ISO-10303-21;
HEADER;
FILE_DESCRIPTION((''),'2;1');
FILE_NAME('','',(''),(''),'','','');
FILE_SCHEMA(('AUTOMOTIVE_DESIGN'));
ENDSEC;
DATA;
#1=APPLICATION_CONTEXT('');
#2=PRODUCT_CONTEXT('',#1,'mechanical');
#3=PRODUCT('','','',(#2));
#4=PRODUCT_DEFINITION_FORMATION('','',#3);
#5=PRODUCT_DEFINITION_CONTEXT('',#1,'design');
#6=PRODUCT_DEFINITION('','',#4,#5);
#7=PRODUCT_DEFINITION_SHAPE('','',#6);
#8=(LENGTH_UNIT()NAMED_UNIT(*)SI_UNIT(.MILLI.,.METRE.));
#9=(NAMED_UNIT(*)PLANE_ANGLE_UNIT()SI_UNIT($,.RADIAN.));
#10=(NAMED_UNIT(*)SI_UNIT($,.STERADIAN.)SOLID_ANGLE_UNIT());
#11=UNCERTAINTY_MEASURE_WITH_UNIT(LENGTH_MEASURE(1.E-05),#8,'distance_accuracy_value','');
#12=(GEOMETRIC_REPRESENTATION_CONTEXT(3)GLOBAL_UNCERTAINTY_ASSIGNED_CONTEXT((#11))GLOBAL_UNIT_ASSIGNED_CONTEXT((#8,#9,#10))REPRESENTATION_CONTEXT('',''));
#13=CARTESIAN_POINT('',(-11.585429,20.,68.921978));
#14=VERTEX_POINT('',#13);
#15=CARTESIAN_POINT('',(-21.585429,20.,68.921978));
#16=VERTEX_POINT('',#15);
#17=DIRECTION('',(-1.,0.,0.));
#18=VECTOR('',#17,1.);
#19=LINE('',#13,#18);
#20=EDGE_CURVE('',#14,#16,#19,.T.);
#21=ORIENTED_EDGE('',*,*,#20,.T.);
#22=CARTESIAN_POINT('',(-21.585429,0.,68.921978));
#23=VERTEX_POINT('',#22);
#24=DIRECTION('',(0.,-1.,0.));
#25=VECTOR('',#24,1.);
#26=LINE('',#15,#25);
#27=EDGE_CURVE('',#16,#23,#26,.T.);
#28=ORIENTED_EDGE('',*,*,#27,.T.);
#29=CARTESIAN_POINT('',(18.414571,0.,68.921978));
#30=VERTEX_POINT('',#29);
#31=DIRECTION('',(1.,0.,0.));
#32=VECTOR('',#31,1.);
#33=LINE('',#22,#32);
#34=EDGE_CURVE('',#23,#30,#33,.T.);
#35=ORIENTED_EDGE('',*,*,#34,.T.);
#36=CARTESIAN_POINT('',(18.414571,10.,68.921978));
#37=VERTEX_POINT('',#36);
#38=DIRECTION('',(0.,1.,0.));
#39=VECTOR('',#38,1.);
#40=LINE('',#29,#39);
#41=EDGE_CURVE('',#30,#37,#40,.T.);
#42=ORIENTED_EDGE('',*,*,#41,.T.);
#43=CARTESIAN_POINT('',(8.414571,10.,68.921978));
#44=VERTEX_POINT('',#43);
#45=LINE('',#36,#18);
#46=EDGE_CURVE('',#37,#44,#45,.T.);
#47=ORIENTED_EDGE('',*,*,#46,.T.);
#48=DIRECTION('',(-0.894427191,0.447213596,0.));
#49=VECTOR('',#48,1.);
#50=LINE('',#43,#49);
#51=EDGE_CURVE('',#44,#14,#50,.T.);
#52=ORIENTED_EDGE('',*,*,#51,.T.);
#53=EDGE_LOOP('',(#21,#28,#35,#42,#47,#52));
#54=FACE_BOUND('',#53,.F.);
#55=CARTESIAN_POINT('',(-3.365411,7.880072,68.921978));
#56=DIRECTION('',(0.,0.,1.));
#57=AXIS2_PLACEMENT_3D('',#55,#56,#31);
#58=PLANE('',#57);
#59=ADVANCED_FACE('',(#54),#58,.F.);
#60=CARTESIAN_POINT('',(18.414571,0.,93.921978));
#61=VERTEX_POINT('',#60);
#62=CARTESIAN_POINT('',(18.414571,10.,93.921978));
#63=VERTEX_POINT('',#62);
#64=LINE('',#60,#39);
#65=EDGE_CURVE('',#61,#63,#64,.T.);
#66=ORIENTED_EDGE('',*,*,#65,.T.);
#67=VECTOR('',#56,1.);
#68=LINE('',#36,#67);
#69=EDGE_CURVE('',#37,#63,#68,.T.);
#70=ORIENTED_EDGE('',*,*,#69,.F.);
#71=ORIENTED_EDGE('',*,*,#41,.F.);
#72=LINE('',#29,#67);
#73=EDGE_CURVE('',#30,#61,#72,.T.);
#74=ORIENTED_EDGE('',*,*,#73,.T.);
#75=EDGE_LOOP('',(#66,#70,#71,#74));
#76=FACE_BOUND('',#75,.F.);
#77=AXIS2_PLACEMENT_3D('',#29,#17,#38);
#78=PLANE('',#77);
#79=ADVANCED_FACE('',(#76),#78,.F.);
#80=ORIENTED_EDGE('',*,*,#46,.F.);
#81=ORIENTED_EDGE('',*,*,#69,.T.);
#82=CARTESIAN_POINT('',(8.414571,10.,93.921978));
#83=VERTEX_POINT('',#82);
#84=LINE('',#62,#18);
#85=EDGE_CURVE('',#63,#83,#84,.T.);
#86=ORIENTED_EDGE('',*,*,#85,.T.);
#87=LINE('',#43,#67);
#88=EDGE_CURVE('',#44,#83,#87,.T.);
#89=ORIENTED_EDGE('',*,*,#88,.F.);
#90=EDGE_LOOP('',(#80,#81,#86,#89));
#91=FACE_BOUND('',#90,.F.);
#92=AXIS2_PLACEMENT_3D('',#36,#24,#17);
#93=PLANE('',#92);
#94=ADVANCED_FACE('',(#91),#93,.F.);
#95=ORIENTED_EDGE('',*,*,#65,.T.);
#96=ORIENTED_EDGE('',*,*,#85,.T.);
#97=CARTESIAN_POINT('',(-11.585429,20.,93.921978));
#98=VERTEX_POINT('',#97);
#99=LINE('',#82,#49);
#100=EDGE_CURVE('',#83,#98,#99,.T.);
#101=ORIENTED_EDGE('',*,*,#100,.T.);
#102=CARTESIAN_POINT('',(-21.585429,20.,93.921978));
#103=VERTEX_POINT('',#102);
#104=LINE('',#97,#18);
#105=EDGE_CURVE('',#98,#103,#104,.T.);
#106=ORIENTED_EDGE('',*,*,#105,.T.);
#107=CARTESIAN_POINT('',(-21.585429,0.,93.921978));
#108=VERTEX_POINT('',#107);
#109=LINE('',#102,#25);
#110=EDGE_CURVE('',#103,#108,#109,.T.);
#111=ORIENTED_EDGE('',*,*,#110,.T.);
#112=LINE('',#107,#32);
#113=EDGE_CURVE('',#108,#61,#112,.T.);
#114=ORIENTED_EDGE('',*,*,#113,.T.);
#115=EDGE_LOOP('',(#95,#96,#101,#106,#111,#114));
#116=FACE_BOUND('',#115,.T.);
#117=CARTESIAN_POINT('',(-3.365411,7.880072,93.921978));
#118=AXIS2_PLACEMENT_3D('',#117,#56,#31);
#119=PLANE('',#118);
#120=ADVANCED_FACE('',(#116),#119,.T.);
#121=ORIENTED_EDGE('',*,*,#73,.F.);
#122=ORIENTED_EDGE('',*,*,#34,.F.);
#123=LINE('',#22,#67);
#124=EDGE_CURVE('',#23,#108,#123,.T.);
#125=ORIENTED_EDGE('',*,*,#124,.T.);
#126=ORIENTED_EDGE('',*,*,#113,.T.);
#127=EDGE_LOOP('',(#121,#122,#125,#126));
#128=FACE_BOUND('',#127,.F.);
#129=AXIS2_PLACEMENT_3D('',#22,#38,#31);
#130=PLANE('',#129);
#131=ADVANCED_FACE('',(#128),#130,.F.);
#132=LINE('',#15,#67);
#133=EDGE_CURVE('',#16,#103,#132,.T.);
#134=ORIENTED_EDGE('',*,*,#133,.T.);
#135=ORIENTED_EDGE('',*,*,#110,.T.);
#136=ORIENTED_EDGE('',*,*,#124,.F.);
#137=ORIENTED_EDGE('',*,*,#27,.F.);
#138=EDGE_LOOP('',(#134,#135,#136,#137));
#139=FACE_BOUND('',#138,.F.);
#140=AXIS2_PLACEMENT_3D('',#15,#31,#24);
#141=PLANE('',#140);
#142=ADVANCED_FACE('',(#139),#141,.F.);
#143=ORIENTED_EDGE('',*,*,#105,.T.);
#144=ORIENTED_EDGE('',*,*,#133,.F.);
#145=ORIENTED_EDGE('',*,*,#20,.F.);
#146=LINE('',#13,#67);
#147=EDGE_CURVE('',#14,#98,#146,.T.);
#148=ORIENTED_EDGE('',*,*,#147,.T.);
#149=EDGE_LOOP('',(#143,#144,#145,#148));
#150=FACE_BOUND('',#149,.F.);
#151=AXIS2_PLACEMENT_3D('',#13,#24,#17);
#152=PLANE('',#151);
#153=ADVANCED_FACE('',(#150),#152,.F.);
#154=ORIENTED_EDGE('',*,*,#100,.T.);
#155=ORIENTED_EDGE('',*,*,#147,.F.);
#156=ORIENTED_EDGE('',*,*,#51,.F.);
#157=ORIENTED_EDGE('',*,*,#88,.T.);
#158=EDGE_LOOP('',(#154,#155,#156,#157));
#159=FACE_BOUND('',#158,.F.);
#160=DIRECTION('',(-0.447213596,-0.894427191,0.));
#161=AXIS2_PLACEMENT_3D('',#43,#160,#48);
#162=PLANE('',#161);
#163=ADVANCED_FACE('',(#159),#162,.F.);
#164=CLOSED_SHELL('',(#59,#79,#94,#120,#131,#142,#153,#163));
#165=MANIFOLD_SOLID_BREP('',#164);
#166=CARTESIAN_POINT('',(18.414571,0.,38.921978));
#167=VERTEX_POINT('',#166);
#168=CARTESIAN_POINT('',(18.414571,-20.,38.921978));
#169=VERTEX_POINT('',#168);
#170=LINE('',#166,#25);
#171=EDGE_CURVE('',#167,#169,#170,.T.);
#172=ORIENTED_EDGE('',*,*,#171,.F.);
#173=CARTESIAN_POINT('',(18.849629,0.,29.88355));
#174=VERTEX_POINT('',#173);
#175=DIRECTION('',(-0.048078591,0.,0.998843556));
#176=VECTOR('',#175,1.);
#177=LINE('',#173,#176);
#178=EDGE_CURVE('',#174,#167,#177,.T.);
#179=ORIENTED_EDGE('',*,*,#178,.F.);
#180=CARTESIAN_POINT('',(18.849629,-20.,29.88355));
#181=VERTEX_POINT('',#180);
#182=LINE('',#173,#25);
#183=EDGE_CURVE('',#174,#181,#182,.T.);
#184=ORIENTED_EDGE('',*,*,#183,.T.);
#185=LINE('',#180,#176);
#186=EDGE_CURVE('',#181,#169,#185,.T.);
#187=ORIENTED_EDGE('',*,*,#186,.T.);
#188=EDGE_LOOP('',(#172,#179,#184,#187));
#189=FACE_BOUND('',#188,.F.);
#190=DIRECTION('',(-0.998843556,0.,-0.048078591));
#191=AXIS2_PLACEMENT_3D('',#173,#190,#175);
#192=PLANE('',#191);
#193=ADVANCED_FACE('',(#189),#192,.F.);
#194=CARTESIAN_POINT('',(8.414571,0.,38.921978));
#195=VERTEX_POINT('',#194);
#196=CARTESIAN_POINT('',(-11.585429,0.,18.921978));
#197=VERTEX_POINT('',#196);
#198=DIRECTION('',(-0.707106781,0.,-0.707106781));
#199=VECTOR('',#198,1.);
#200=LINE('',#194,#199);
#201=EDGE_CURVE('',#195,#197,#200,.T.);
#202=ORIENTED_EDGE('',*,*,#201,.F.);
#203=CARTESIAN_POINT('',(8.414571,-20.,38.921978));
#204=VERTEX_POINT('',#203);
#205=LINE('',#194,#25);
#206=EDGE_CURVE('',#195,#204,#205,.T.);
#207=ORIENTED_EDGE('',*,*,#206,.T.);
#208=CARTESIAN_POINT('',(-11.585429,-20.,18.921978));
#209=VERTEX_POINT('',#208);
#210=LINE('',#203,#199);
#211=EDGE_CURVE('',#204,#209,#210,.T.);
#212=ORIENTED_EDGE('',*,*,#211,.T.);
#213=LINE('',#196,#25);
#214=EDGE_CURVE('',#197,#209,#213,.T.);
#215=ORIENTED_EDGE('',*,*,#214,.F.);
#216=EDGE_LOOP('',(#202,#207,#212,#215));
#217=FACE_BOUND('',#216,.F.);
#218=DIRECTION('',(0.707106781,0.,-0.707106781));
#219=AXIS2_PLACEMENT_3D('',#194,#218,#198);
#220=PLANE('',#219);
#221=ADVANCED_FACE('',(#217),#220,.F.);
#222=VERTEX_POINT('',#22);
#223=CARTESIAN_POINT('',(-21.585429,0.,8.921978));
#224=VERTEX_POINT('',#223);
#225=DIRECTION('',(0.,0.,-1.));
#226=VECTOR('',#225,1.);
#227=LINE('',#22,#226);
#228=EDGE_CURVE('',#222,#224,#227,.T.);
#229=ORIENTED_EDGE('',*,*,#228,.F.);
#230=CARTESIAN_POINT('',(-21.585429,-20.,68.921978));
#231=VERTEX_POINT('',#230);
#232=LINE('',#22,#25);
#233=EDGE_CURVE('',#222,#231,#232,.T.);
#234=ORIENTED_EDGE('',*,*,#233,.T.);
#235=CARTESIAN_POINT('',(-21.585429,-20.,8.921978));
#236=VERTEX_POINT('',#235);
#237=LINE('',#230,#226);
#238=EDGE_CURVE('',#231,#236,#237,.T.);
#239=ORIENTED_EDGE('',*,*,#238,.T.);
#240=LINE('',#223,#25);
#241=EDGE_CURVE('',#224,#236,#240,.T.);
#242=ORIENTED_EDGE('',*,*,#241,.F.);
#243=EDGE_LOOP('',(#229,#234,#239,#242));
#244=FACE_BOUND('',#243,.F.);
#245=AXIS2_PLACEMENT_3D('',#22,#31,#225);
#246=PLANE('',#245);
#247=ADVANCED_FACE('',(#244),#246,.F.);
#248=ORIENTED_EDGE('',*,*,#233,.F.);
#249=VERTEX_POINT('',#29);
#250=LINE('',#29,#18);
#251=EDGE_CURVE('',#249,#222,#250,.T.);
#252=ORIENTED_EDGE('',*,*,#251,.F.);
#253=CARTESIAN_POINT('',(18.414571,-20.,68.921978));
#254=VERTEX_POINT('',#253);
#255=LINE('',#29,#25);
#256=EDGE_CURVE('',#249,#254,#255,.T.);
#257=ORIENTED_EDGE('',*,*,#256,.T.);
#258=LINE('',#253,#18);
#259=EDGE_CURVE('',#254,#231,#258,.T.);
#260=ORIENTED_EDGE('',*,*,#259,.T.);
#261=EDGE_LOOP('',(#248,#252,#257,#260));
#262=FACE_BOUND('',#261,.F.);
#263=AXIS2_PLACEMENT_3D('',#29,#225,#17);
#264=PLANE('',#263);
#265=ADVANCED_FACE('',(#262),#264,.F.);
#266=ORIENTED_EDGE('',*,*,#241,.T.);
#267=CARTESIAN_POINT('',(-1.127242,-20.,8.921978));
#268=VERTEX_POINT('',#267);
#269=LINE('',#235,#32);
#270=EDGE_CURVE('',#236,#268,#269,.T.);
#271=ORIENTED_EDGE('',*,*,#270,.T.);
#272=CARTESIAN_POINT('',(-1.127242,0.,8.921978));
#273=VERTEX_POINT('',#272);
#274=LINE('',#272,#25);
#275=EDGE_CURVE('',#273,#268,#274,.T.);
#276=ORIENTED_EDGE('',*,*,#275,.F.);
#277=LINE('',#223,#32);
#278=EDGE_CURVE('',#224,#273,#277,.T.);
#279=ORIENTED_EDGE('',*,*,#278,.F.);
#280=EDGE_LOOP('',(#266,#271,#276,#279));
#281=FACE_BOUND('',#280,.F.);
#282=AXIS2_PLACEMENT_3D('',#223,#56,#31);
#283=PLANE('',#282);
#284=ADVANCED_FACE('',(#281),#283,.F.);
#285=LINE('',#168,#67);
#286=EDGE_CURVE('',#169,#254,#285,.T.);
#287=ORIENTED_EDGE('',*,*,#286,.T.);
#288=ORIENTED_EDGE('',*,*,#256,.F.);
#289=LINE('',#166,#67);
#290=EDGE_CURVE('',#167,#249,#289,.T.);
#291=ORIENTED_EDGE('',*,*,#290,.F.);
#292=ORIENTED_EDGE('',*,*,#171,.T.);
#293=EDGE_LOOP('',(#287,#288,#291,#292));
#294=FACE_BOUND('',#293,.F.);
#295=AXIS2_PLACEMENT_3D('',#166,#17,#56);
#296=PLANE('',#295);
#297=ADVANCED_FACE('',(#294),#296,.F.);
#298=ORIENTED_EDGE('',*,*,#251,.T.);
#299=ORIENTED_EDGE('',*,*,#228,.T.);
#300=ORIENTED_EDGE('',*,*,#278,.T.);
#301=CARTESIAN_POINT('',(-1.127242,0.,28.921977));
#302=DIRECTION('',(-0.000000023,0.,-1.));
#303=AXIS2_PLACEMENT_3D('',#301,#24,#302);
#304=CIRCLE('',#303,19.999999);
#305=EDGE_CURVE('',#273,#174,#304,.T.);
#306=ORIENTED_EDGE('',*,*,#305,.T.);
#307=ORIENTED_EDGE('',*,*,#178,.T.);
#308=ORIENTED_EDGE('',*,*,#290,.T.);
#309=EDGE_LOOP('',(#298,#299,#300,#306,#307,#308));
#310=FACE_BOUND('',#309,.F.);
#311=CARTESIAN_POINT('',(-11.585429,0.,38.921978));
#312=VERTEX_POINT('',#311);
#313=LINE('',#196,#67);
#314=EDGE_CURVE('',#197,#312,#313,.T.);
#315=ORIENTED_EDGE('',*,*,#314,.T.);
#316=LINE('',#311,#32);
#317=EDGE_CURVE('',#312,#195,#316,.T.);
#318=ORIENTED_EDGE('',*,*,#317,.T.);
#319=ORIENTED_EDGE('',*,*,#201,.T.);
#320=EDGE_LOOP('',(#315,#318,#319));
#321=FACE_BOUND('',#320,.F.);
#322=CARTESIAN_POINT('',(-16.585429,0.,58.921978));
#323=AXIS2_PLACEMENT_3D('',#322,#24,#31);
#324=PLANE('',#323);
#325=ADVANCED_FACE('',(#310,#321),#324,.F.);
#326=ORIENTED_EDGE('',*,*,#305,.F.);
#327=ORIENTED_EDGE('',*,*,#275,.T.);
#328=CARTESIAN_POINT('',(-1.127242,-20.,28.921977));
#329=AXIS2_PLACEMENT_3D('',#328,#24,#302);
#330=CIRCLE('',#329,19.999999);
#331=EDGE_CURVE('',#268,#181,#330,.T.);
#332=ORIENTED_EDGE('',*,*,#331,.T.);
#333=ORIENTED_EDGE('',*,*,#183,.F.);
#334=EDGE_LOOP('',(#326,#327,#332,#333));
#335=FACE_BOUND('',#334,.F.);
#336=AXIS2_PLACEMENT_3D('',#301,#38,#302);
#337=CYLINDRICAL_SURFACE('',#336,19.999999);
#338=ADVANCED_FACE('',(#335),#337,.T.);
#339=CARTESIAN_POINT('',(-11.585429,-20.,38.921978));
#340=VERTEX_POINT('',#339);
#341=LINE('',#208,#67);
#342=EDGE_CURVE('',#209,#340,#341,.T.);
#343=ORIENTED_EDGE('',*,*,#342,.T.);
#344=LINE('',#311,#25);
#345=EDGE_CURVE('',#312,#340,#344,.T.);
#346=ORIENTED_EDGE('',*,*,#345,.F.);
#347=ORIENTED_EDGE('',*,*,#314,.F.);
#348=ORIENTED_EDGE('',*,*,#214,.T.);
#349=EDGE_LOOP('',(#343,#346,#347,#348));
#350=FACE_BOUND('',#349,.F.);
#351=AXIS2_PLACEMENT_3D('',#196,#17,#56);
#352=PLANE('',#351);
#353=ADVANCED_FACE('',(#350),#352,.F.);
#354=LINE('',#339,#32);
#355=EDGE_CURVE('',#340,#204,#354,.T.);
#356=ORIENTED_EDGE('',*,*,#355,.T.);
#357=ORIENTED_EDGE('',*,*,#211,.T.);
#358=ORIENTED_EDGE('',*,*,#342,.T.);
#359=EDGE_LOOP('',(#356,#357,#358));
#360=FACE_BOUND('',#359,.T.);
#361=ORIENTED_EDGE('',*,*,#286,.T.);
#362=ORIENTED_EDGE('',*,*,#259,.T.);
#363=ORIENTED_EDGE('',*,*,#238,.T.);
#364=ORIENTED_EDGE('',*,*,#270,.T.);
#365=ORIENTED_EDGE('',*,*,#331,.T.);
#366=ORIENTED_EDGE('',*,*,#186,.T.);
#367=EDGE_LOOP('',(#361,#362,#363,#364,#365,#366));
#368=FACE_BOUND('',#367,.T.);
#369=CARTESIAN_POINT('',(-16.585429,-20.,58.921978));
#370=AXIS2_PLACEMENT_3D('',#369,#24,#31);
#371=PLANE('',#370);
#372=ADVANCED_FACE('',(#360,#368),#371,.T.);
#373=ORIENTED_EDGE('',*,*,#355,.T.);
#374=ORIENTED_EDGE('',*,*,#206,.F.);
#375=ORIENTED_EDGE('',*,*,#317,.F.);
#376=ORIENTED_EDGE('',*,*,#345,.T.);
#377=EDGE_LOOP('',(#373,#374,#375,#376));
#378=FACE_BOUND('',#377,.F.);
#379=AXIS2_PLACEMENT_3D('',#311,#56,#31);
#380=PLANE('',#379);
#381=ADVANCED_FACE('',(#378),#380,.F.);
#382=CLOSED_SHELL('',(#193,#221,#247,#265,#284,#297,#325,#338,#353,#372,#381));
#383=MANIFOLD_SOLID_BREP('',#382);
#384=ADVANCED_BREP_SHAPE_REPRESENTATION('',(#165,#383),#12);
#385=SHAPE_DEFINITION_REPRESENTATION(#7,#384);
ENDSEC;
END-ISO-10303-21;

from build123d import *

# Parameters (mm, degrees)
F0_W     = 10
F0_H     = 20
F0_W_2   = 20.507412
F0_W_3   = 9.492588
F1_DEPTH = 20
F3_DEPTH = 25


with BuildPart() as f1:
    # F0 (on Front) → F1 (new body)
    with BuildSketch(Plane.XZ):
        with Locations((-16.585429, 58.921978)):
            Rectangle(F0_W, F0_H)
        with BuildLine():
            Line((-11.585429, 48.921978), (-21.585429, 48.921978))
            Line((-21.585429, 48.921978), (-21.585429, 38.921978))
            Line((-21.585429, 38.921978), (-21.585429, 18.921978))
            Line((-21.585429, 18.921978), (-21.585429, 8.921978))
            Line((-21.585429, 8.921978), (-11.585429, 8.921978))
            Line((-11.585429, 8.921978), (-1.127242, 8.921978))
            ThreePointArc((-1.127242, 8.921978), (13.35087, 15.123997), (18.849629, 29.88355))
            Line((18.849629, 29.88355), (18.414571, 38.921978))
            Line((18.414571, 38.921978), (18.414571, 48.921978))
            Line((18.414571, 48.921978), (8.921983, 48.921978))
            Line((8.921983, 48.921978), (-11.585429, 48.921978))
        make_face()
        Polygon((8.414571, 38.921978), (-11.585429, 18.921978), (-11.585429, 38.921978), align=None, mode=Mode.SUBTRACT)
        with Locations((-1.331723, 58.921978)):
            Rectangle(F0_W_2, F0_H)
        with Locations((13.668277, 58.921978)):
            Rectangle(F0_W_3, F0_H)
    extrude(amount=F1_DEPTH)


with BuildPart() as f3:
    # F2 (on face) → F3 (new body)
    with BuildSketch(Plane.XY.offset(68.921978)):
        Polygon((-21.585429, 20), (-21.585429, 0), (18.414571, 0), (18.414571, 10), (8.414571, 10), (-11.585429, 20), align=None)
    extrude(amount=F3_DEPTH)


solid = Compound([f1.part, f3.part])
